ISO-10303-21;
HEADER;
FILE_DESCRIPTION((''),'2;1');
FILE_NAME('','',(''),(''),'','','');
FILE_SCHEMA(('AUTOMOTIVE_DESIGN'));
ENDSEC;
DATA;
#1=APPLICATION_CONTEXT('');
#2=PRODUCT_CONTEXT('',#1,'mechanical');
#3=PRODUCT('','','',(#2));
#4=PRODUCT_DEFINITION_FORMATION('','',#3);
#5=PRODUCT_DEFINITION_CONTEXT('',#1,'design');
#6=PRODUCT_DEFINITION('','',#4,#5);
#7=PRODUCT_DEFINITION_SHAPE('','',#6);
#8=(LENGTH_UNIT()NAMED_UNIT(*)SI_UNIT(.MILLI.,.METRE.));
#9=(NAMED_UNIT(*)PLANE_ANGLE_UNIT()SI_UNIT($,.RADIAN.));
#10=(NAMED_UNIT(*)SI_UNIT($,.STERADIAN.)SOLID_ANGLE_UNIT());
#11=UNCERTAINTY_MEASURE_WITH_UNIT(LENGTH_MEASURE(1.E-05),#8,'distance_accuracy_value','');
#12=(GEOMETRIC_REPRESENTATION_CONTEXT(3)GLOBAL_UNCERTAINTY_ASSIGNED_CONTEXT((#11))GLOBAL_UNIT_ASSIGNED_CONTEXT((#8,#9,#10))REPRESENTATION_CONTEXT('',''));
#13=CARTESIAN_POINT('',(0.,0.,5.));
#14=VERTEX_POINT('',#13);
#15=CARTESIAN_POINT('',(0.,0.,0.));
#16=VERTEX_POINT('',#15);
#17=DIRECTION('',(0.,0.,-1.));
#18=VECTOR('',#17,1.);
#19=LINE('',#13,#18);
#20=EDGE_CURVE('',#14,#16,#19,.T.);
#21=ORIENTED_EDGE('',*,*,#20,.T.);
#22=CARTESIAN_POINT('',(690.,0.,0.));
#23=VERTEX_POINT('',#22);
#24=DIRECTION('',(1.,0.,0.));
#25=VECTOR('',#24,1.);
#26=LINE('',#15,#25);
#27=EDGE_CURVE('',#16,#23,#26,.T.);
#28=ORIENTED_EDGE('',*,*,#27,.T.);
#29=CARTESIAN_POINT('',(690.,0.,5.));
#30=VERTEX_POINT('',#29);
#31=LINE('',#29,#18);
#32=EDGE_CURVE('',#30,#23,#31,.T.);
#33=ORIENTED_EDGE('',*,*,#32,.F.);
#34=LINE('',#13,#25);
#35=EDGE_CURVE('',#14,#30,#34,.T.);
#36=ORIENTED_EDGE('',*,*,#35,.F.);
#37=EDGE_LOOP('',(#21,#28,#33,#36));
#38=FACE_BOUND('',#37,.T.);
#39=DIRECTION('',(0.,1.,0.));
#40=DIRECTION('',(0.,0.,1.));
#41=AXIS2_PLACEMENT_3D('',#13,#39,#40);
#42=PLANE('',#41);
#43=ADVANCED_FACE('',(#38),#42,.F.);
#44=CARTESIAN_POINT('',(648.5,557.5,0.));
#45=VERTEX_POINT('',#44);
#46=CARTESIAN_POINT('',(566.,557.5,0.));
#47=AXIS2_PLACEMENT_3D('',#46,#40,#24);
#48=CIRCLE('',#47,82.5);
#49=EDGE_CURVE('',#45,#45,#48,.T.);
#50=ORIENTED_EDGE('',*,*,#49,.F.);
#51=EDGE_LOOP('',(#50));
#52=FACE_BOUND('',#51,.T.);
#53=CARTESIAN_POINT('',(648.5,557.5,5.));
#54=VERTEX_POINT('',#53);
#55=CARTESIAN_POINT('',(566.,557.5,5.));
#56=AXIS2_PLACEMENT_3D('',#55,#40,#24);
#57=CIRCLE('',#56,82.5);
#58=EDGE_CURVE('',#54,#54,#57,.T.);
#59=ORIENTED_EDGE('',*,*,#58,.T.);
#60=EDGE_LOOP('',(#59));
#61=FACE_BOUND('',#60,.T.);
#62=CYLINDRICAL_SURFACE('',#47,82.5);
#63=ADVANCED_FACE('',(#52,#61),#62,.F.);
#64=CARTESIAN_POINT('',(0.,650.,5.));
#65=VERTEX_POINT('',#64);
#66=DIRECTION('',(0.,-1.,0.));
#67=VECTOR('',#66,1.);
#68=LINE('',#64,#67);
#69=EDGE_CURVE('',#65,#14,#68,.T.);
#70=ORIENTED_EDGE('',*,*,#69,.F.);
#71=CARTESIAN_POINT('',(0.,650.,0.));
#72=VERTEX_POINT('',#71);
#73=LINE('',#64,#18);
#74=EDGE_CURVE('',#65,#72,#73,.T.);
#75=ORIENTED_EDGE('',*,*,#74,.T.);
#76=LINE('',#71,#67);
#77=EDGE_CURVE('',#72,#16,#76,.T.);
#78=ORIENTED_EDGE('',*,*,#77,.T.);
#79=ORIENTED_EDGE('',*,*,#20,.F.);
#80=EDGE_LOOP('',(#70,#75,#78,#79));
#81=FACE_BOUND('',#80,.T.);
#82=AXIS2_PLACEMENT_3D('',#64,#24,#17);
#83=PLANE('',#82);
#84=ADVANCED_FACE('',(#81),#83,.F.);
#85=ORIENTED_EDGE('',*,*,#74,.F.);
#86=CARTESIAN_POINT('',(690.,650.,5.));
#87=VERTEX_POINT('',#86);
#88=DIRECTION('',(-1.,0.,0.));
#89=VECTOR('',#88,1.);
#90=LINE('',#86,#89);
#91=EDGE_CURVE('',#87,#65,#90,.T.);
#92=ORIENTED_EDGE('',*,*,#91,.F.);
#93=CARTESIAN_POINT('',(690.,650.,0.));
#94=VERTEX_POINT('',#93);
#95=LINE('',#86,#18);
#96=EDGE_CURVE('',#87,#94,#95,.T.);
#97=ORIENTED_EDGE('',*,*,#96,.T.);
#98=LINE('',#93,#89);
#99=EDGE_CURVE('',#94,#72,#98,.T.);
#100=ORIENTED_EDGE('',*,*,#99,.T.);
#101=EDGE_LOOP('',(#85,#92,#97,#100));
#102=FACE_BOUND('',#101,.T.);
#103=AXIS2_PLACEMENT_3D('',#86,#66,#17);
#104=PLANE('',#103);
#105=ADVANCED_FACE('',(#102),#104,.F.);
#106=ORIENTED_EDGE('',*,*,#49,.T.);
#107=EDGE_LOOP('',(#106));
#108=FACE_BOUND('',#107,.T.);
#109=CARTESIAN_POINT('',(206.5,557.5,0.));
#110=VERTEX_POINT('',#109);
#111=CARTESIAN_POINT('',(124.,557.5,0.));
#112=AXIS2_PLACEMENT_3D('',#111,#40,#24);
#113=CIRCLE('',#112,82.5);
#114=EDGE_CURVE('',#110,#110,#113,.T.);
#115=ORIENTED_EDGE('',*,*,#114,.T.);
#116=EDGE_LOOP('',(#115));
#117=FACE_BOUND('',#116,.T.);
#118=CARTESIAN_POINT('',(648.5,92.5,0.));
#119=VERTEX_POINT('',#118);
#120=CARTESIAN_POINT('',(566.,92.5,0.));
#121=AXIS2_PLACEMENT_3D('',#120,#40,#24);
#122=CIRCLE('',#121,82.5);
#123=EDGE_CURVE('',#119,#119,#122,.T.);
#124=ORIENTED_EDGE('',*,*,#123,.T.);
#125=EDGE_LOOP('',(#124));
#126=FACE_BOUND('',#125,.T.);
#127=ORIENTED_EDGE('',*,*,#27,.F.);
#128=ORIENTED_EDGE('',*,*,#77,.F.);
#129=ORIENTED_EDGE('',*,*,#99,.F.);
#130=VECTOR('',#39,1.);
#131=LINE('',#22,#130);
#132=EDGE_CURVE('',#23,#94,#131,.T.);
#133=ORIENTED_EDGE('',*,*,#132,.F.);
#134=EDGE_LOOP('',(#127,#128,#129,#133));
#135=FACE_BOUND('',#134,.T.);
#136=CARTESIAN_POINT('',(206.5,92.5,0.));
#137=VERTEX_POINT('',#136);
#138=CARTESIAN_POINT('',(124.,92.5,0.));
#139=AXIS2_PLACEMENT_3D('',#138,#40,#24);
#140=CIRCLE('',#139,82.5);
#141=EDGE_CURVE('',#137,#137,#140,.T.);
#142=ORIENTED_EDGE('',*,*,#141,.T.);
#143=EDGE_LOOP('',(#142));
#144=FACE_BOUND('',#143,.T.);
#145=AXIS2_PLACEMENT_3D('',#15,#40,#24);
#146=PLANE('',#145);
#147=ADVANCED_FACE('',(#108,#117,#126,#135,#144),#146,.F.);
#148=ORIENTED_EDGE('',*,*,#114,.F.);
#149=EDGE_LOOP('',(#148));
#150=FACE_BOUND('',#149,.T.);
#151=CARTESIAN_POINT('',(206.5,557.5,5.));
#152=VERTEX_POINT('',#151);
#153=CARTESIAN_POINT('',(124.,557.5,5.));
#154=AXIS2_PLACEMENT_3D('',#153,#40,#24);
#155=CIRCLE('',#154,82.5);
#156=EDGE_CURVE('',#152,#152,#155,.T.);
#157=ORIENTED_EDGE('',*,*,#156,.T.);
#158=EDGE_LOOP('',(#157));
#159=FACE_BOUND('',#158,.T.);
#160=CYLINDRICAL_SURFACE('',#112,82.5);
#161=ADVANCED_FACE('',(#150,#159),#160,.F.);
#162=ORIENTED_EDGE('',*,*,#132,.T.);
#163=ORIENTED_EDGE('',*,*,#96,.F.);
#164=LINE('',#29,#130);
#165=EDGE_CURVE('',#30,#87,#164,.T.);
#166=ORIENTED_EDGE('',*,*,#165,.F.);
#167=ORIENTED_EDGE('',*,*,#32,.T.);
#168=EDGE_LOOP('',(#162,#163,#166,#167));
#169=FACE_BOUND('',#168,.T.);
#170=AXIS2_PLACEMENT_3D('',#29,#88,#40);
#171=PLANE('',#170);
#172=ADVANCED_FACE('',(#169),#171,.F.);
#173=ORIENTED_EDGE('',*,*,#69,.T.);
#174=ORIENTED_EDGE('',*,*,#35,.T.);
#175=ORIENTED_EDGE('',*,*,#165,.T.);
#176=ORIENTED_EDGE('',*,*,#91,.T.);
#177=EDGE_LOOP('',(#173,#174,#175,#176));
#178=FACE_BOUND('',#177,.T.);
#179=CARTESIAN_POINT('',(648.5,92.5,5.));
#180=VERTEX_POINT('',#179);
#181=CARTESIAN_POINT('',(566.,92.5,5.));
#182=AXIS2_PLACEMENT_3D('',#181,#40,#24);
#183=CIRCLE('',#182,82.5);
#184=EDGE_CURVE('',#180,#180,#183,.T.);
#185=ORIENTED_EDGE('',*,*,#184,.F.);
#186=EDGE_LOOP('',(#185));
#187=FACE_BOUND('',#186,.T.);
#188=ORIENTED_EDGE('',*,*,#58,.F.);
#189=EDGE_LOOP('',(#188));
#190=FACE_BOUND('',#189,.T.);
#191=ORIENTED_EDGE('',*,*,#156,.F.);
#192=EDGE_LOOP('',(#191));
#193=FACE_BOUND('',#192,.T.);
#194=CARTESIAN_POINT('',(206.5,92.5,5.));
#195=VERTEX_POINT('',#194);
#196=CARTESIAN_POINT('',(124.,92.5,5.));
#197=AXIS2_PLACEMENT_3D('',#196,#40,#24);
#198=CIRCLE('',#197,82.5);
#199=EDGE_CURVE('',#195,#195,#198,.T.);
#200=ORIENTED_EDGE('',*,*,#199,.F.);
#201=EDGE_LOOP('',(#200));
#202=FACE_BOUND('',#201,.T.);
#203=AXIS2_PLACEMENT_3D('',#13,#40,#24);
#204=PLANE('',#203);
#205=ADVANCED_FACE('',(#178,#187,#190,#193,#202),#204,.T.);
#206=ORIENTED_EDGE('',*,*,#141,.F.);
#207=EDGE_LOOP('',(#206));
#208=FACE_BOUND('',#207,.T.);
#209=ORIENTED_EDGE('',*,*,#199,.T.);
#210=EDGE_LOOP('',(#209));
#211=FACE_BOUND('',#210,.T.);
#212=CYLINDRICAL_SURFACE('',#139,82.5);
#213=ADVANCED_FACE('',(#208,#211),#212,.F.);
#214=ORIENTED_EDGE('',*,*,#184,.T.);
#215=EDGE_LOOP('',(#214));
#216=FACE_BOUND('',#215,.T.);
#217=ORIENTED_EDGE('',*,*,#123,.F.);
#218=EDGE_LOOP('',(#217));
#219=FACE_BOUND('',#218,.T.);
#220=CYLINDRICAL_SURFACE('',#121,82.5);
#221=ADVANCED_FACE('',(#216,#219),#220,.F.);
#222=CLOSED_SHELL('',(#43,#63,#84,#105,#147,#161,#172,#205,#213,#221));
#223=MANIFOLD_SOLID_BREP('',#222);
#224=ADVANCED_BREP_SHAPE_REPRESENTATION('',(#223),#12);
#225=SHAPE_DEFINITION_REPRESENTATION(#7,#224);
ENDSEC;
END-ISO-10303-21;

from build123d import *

# Parameters (mm, degrees)
SKETCH_1_W           = 690
SKETCH_1_H           = 650
BOTTOM_PLATE_DEPTH   = 5
SKETCH_2_R           = 82.5
GRAB_CLEARANCE_DEPTH = 948.958332418
SKETCH_3_R           = 82.5
CUT_EXTRUDE_2_DEPTH  = 948.958332418
SKETCH_4_R           = 82.5
CUT_EXTRUDE_3_DEPTH  = 948.958332418
SKETCH_5_R           = 82.5
CUT_EXTRUDE_4_DEPTH  = 948.958332418


with BuildPart() as part:
    # 草图1 → Bottom_plate (new body)
    with BuildSketch(Plane.XY):
        with Locations((345, 325)):
            Rectangle(SKETCH_1_W, SKETCH_1_H)
    extrude(amount=BOTTOM_PLATE_DEPTH)

    # 草图2 → Grab_clearance (cut, through all)
    with BuildSketch(Plane.XY.offset(5)):
        with Locations((124, 92.5)):
            Circle(SKETCH_2_R)
    extrude(amount=-GRAB_CLEARANCE_DEPTH, mode=Mode.SUBTRACT)

    # 草图3 → 切除-拉伸2 (cut, through all)
    with BuildSketch(Plane.XY.offset(5)):
        with Locations((124, 557.5)):
            Circle(SKETCH_3_R)
    extrude(amount=-CUT_EXTRUDE_2_DEPTH, mode=Mode.SUBTRACT)

    # 草图4 → 切除-拉伸3 (cut, through all)
    with BuildSketch(Plane.XY.offset(5)):
        with Locations((566, 92.5)):
            Circle(SKETCH_4_R)
    extrude(amount=-CUT_EXTRUDE_3_DEPTH, mode=Mode.SUBTRACT)

    # 草图5 → 切除-拉伸4 (cut, through all)
    with BuildSketch(Plane.XY.offset(5)):
        with Locations((566, 557.5)):
            Circle(SKETCH_5_R)
    extrude(amount=-CUT_EXTRUDE_4_DEPTH, mode=Mode.SUBTRACT)


solid = part.part
